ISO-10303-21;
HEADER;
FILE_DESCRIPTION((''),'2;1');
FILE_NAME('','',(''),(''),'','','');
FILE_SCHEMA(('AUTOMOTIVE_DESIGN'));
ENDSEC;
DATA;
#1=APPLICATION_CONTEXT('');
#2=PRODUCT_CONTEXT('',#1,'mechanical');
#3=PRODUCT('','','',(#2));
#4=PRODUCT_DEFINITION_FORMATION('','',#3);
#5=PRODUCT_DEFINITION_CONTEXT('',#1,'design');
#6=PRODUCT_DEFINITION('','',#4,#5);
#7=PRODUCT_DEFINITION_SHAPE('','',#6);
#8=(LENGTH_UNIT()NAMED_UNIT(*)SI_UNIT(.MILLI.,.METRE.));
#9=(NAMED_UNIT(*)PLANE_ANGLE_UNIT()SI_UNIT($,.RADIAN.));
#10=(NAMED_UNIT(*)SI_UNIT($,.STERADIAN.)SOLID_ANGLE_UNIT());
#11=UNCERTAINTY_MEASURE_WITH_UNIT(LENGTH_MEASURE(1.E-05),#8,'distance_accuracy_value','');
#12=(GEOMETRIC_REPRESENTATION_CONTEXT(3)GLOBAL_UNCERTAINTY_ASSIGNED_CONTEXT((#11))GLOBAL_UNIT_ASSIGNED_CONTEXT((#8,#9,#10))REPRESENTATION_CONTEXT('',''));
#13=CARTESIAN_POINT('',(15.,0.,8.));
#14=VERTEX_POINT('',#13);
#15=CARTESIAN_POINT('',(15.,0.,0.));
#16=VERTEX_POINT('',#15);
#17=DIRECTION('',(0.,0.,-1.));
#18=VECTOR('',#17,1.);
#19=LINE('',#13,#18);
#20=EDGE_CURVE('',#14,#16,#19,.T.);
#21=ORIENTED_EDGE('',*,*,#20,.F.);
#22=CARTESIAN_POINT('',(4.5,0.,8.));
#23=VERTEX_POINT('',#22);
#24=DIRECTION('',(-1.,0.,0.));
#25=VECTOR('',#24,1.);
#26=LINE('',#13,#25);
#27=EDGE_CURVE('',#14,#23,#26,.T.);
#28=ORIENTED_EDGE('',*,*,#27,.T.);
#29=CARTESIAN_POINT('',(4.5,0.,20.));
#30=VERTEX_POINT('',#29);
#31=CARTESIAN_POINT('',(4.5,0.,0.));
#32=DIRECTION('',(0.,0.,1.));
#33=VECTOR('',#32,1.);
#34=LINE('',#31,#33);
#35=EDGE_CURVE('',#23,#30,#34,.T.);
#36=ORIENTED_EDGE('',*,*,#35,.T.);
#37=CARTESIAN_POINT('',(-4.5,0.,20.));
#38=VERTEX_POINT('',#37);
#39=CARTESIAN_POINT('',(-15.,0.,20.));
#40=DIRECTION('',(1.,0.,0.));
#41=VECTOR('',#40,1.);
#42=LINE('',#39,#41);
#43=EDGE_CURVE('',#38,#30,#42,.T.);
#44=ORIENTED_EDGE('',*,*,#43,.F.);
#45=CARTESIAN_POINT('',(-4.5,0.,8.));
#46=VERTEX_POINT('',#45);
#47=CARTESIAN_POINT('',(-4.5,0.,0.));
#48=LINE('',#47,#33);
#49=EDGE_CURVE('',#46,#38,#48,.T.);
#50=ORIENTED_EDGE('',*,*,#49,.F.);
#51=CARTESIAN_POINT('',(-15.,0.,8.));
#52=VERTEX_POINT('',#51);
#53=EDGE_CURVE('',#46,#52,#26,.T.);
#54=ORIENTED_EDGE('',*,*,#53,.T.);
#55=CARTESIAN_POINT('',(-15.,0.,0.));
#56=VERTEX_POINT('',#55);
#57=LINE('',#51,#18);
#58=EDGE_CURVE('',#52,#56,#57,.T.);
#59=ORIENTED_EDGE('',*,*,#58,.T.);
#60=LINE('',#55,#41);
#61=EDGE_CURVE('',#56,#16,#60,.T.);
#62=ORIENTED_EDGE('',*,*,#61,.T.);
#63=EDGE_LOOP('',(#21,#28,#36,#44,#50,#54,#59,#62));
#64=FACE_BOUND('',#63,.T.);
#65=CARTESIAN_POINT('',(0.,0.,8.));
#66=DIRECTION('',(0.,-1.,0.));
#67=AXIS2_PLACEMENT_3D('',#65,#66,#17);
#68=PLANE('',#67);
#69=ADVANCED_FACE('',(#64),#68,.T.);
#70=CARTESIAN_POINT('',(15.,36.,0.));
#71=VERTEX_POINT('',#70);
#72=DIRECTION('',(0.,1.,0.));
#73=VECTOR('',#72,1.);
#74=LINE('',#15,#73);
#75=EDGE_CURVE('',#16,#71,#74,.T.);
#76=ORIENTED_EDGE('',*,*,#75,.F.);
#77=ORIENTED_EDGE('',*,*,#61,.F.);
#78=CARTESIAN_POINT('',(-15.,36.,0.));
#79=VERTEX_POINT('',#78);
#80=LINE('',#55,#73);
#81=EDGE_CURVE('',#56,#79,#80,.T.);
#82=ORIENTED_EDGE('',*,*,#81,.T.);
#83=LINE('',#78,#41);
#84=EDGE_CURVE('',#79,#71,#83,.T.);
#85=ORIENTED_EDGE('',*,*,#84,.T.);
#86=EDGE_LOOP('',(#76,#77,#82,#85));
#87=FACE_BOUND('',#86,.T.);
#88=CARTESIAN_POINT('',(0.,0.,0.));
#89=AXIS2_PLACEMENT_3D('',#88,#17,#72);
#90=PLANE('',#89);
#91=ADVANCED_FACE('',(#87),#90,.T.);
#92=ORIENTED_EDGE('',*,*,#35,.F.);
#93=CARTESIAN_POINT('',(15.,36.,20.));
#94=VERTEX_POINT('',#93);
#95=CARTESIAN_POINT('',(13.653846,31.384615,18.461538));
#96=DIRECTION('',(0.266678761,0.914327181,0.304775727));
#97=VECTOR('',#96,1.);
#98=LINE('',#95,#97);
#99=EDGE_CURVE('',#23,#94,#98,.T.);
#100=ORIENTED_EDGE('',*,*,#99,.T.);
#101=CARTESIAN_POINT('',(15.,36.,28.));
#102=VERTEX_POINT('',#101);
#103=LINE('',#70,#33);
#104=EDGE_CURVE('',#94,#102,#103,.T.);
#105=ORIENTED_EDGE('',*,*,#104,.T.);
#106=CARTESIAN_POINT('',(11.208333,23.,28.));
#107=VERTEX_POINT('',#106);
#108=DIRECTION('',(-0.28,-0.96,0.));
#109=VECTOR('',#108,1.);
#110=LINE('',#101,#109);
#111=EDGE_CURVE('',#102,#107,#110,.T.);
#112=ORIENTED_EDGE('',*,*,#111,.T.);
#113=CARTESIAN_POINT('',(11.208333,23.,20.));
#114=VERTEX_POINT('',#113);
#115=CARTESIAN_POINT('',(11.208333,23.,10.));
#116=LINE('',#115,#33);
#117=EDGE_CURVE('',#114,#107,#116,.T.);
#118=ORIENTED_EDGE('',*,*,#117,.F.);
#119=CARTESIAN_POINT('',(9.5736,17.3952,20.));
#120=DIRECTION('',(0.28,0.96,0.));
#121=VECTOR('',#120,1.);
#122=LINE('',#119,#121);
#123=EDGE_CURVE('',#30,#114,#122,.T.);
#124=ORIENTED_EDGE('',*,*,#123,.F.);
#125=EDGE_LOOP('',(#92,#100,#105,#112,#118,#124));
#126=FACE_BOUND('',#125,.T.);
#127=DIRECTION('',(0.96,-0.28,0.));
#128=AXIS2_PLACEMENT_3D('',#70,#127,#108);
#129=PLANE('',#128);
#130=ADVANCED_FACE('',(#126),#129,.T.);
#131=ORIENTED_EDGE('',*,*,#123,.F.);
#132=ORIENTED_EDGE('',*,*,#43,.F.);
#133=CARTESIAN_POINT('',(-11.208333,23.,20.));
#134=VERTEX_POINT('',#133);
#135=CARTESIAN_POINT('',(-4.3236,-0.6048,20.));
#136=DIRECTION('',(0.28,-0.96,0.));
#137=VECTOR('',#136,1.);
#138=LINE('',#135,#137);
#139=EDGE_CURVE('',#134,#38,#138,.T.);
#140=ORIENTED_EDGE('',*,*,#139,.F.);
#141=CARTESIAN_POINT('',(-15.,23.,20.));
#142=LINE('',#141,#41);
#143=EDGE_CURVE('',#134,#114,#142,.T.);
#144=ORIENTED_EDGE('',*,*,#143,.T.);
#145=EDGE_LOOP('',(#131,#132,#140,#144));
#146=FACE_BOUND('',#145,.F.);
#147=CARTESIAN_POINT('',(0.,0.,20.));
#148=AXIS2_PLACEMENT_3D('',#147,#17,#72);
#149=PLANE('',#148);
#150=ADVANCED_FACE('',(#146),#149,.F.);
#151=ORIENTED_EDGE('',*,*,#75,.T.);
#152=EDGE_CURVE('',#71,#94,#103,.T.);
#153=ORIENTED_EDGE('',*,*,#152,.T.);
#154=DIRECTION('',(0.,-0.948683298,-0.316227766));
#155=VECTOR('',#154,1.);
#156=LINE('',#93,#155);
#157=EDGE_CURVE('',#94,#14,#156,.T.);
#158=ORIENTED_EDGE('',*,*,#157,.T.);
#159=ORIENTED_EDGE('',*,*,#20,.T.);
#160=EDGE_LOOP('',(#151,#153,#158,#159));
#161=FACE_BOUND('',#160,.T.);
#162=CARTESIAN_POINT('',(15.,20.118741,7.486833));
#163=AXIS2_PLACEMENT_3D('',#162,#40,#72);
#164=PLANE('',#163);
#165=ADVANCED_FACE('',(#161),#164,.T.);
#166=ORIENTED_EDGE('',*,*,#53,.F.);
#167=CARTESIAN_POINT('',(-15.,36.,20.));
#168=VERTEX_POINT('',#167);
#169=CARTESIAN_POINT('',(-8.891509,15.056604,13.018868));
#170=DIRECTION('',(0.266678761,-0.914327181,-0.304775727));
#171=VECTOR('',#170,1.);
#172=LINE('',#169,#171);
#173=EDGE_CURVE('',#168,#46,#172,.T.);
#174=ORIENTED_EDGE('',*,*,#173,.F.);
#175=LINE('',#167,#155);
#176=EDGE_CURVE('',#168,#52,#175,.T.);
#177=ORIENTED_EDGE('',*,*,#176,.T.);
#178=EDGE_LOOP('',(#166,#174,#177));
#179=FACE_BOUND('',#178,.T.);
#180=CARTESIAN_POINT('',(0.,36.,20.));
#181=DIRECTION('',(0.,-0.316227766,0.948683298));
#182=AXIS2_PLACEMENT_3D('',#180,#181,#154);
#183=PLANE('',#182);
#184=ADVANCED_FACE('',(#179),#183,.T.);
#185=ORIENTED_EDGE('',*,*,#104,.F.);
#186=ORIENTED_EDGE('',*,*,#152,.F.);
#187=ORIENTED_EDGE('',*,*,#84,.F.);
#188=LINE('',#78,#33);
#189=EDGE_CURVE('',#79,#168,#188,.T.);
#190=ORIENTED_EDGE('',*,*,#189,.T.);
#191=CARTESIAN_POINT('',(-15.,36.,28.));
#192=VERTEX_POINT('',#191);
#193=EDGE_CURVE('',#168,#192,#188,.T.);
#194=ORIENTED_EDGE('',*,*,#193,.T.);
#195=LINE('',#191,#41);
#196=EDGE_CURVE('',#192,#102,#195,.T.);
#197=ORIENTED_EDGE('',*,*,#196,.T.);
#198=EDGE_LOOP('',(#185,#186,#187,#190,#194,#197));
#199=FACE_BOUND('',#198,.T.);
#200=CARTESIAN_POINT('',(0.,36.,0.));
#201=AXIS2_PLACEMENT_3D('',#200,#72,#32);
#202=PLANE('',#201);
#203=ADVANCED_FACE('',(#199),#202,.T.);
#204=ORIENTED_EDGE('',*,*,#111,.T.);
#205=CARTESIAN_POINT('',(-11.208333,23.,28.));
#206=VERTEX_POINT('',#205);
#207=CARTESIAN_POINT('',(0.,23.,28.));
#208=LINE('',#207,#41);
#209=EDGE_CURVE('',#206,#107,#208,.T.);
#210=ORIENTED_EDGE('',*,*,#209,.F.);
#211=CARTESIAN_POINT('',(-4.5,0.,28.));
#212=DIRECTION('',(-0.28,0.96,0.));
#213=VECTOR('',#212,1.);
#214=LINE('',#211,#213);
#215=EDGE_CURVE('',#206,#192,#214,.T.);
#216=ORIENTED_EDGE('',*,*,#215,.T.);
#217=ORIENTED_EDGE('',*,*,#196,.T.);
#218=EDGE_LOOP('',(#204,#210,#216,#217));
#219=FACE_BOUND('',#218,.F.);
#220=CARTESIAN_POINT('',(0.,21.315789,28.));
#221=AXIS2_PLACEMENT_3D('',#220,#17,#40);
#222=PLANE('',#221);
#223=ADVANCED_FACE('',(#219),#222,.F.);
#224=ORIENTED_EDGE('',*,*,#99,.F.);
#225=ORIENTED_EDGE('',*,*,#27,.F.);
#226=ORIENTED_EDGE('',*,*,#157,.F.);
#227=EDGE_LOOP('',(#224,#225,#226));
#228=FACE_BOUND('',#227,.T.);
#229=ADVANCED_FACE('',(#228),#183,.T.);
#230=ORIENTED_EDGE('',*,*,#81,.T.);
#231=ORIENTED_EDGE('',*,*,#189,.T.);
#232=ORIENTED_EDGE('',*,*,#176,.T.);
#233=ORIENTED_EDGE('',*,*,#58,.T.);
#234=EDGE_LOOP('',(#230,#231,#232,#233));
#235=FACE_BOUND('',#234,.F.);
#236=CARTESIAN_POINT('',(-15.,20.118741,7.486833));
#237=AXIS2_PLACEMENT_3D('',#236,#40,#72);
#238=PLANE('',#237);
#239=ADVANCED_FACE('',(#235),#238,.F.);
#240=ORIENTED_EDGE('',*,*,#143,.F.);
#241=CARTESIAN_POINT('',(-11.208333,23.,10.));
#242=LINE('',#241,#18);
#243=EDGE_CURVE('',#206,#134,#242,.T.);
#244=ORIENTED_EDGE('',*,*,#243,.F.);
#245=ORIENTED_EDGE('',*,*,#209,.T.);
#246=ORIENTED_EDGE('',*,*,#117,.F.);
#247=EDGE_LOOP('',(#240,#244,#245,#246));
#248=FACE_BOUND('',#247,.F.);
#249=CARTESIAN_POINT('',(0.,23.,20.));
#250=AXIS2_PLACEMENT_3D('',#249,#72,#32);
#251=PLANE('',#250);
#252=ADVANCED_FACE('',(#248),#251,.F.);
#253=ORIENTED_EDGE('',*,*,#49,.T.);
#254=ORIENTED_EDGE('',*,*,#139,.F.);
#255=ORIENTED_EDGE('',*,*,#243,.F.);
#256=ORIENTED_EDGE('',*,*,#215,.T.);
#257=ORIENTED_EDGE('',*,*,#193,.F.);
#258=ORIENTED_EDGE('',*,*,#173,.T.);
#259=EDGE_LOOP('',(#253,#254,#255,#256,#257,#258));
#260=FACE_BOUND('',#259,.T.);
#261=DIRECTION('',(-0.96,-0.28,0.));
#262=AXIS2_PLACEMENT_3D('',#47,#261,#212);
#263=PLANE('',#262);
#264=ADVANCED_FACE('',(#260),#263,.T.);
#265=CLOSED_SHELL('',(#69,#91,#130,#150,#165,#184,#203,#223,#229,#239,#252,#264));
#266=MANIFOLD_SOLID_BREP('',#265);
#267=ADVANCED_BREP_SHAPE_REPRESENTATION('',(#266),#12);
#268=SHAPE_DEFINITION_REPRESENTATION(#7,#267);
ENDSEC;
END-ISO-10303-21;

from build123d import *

# Parameters (mm, degrees)
F1_DEPTH = 15
F3_DEPTH = 28
F0_W     = 23
F0_H     = 10
F4_DEPTH = 15


with BuildPart() as f1:
    # F0 (on Right) → F1 (new body, symmetric)
    with BuildSketch(Plane.YZ):
        Polygon((0, 8), (0, 0), (36, 0), (36, 20), align=None)
    extrude(amount=F1_DEPTH, both=True)

    # F2 (on face) → F3 (join)
    with BuildSketch(Plane(origin=(0, 0, 0), x_dir=(1, 0, 0), z_dir=(0, 0, -1))):
        Polygon((4.5, 0), (-4.5, 0), (-15, -36), (15, -36), align=None)
    extrude(amount=-F3_DEPTH)

    # F0 (on Right) → F4 (cut, symmetric)
    with BuildSketch(Plane.YZ):
        with Locations((11.5, 25)):
            Rectangle(F0_W, F0_H)
    extrude(amount=F4_DEPTH, both=True, mode=Mode.SUBTRACT)


solid = f1.part
